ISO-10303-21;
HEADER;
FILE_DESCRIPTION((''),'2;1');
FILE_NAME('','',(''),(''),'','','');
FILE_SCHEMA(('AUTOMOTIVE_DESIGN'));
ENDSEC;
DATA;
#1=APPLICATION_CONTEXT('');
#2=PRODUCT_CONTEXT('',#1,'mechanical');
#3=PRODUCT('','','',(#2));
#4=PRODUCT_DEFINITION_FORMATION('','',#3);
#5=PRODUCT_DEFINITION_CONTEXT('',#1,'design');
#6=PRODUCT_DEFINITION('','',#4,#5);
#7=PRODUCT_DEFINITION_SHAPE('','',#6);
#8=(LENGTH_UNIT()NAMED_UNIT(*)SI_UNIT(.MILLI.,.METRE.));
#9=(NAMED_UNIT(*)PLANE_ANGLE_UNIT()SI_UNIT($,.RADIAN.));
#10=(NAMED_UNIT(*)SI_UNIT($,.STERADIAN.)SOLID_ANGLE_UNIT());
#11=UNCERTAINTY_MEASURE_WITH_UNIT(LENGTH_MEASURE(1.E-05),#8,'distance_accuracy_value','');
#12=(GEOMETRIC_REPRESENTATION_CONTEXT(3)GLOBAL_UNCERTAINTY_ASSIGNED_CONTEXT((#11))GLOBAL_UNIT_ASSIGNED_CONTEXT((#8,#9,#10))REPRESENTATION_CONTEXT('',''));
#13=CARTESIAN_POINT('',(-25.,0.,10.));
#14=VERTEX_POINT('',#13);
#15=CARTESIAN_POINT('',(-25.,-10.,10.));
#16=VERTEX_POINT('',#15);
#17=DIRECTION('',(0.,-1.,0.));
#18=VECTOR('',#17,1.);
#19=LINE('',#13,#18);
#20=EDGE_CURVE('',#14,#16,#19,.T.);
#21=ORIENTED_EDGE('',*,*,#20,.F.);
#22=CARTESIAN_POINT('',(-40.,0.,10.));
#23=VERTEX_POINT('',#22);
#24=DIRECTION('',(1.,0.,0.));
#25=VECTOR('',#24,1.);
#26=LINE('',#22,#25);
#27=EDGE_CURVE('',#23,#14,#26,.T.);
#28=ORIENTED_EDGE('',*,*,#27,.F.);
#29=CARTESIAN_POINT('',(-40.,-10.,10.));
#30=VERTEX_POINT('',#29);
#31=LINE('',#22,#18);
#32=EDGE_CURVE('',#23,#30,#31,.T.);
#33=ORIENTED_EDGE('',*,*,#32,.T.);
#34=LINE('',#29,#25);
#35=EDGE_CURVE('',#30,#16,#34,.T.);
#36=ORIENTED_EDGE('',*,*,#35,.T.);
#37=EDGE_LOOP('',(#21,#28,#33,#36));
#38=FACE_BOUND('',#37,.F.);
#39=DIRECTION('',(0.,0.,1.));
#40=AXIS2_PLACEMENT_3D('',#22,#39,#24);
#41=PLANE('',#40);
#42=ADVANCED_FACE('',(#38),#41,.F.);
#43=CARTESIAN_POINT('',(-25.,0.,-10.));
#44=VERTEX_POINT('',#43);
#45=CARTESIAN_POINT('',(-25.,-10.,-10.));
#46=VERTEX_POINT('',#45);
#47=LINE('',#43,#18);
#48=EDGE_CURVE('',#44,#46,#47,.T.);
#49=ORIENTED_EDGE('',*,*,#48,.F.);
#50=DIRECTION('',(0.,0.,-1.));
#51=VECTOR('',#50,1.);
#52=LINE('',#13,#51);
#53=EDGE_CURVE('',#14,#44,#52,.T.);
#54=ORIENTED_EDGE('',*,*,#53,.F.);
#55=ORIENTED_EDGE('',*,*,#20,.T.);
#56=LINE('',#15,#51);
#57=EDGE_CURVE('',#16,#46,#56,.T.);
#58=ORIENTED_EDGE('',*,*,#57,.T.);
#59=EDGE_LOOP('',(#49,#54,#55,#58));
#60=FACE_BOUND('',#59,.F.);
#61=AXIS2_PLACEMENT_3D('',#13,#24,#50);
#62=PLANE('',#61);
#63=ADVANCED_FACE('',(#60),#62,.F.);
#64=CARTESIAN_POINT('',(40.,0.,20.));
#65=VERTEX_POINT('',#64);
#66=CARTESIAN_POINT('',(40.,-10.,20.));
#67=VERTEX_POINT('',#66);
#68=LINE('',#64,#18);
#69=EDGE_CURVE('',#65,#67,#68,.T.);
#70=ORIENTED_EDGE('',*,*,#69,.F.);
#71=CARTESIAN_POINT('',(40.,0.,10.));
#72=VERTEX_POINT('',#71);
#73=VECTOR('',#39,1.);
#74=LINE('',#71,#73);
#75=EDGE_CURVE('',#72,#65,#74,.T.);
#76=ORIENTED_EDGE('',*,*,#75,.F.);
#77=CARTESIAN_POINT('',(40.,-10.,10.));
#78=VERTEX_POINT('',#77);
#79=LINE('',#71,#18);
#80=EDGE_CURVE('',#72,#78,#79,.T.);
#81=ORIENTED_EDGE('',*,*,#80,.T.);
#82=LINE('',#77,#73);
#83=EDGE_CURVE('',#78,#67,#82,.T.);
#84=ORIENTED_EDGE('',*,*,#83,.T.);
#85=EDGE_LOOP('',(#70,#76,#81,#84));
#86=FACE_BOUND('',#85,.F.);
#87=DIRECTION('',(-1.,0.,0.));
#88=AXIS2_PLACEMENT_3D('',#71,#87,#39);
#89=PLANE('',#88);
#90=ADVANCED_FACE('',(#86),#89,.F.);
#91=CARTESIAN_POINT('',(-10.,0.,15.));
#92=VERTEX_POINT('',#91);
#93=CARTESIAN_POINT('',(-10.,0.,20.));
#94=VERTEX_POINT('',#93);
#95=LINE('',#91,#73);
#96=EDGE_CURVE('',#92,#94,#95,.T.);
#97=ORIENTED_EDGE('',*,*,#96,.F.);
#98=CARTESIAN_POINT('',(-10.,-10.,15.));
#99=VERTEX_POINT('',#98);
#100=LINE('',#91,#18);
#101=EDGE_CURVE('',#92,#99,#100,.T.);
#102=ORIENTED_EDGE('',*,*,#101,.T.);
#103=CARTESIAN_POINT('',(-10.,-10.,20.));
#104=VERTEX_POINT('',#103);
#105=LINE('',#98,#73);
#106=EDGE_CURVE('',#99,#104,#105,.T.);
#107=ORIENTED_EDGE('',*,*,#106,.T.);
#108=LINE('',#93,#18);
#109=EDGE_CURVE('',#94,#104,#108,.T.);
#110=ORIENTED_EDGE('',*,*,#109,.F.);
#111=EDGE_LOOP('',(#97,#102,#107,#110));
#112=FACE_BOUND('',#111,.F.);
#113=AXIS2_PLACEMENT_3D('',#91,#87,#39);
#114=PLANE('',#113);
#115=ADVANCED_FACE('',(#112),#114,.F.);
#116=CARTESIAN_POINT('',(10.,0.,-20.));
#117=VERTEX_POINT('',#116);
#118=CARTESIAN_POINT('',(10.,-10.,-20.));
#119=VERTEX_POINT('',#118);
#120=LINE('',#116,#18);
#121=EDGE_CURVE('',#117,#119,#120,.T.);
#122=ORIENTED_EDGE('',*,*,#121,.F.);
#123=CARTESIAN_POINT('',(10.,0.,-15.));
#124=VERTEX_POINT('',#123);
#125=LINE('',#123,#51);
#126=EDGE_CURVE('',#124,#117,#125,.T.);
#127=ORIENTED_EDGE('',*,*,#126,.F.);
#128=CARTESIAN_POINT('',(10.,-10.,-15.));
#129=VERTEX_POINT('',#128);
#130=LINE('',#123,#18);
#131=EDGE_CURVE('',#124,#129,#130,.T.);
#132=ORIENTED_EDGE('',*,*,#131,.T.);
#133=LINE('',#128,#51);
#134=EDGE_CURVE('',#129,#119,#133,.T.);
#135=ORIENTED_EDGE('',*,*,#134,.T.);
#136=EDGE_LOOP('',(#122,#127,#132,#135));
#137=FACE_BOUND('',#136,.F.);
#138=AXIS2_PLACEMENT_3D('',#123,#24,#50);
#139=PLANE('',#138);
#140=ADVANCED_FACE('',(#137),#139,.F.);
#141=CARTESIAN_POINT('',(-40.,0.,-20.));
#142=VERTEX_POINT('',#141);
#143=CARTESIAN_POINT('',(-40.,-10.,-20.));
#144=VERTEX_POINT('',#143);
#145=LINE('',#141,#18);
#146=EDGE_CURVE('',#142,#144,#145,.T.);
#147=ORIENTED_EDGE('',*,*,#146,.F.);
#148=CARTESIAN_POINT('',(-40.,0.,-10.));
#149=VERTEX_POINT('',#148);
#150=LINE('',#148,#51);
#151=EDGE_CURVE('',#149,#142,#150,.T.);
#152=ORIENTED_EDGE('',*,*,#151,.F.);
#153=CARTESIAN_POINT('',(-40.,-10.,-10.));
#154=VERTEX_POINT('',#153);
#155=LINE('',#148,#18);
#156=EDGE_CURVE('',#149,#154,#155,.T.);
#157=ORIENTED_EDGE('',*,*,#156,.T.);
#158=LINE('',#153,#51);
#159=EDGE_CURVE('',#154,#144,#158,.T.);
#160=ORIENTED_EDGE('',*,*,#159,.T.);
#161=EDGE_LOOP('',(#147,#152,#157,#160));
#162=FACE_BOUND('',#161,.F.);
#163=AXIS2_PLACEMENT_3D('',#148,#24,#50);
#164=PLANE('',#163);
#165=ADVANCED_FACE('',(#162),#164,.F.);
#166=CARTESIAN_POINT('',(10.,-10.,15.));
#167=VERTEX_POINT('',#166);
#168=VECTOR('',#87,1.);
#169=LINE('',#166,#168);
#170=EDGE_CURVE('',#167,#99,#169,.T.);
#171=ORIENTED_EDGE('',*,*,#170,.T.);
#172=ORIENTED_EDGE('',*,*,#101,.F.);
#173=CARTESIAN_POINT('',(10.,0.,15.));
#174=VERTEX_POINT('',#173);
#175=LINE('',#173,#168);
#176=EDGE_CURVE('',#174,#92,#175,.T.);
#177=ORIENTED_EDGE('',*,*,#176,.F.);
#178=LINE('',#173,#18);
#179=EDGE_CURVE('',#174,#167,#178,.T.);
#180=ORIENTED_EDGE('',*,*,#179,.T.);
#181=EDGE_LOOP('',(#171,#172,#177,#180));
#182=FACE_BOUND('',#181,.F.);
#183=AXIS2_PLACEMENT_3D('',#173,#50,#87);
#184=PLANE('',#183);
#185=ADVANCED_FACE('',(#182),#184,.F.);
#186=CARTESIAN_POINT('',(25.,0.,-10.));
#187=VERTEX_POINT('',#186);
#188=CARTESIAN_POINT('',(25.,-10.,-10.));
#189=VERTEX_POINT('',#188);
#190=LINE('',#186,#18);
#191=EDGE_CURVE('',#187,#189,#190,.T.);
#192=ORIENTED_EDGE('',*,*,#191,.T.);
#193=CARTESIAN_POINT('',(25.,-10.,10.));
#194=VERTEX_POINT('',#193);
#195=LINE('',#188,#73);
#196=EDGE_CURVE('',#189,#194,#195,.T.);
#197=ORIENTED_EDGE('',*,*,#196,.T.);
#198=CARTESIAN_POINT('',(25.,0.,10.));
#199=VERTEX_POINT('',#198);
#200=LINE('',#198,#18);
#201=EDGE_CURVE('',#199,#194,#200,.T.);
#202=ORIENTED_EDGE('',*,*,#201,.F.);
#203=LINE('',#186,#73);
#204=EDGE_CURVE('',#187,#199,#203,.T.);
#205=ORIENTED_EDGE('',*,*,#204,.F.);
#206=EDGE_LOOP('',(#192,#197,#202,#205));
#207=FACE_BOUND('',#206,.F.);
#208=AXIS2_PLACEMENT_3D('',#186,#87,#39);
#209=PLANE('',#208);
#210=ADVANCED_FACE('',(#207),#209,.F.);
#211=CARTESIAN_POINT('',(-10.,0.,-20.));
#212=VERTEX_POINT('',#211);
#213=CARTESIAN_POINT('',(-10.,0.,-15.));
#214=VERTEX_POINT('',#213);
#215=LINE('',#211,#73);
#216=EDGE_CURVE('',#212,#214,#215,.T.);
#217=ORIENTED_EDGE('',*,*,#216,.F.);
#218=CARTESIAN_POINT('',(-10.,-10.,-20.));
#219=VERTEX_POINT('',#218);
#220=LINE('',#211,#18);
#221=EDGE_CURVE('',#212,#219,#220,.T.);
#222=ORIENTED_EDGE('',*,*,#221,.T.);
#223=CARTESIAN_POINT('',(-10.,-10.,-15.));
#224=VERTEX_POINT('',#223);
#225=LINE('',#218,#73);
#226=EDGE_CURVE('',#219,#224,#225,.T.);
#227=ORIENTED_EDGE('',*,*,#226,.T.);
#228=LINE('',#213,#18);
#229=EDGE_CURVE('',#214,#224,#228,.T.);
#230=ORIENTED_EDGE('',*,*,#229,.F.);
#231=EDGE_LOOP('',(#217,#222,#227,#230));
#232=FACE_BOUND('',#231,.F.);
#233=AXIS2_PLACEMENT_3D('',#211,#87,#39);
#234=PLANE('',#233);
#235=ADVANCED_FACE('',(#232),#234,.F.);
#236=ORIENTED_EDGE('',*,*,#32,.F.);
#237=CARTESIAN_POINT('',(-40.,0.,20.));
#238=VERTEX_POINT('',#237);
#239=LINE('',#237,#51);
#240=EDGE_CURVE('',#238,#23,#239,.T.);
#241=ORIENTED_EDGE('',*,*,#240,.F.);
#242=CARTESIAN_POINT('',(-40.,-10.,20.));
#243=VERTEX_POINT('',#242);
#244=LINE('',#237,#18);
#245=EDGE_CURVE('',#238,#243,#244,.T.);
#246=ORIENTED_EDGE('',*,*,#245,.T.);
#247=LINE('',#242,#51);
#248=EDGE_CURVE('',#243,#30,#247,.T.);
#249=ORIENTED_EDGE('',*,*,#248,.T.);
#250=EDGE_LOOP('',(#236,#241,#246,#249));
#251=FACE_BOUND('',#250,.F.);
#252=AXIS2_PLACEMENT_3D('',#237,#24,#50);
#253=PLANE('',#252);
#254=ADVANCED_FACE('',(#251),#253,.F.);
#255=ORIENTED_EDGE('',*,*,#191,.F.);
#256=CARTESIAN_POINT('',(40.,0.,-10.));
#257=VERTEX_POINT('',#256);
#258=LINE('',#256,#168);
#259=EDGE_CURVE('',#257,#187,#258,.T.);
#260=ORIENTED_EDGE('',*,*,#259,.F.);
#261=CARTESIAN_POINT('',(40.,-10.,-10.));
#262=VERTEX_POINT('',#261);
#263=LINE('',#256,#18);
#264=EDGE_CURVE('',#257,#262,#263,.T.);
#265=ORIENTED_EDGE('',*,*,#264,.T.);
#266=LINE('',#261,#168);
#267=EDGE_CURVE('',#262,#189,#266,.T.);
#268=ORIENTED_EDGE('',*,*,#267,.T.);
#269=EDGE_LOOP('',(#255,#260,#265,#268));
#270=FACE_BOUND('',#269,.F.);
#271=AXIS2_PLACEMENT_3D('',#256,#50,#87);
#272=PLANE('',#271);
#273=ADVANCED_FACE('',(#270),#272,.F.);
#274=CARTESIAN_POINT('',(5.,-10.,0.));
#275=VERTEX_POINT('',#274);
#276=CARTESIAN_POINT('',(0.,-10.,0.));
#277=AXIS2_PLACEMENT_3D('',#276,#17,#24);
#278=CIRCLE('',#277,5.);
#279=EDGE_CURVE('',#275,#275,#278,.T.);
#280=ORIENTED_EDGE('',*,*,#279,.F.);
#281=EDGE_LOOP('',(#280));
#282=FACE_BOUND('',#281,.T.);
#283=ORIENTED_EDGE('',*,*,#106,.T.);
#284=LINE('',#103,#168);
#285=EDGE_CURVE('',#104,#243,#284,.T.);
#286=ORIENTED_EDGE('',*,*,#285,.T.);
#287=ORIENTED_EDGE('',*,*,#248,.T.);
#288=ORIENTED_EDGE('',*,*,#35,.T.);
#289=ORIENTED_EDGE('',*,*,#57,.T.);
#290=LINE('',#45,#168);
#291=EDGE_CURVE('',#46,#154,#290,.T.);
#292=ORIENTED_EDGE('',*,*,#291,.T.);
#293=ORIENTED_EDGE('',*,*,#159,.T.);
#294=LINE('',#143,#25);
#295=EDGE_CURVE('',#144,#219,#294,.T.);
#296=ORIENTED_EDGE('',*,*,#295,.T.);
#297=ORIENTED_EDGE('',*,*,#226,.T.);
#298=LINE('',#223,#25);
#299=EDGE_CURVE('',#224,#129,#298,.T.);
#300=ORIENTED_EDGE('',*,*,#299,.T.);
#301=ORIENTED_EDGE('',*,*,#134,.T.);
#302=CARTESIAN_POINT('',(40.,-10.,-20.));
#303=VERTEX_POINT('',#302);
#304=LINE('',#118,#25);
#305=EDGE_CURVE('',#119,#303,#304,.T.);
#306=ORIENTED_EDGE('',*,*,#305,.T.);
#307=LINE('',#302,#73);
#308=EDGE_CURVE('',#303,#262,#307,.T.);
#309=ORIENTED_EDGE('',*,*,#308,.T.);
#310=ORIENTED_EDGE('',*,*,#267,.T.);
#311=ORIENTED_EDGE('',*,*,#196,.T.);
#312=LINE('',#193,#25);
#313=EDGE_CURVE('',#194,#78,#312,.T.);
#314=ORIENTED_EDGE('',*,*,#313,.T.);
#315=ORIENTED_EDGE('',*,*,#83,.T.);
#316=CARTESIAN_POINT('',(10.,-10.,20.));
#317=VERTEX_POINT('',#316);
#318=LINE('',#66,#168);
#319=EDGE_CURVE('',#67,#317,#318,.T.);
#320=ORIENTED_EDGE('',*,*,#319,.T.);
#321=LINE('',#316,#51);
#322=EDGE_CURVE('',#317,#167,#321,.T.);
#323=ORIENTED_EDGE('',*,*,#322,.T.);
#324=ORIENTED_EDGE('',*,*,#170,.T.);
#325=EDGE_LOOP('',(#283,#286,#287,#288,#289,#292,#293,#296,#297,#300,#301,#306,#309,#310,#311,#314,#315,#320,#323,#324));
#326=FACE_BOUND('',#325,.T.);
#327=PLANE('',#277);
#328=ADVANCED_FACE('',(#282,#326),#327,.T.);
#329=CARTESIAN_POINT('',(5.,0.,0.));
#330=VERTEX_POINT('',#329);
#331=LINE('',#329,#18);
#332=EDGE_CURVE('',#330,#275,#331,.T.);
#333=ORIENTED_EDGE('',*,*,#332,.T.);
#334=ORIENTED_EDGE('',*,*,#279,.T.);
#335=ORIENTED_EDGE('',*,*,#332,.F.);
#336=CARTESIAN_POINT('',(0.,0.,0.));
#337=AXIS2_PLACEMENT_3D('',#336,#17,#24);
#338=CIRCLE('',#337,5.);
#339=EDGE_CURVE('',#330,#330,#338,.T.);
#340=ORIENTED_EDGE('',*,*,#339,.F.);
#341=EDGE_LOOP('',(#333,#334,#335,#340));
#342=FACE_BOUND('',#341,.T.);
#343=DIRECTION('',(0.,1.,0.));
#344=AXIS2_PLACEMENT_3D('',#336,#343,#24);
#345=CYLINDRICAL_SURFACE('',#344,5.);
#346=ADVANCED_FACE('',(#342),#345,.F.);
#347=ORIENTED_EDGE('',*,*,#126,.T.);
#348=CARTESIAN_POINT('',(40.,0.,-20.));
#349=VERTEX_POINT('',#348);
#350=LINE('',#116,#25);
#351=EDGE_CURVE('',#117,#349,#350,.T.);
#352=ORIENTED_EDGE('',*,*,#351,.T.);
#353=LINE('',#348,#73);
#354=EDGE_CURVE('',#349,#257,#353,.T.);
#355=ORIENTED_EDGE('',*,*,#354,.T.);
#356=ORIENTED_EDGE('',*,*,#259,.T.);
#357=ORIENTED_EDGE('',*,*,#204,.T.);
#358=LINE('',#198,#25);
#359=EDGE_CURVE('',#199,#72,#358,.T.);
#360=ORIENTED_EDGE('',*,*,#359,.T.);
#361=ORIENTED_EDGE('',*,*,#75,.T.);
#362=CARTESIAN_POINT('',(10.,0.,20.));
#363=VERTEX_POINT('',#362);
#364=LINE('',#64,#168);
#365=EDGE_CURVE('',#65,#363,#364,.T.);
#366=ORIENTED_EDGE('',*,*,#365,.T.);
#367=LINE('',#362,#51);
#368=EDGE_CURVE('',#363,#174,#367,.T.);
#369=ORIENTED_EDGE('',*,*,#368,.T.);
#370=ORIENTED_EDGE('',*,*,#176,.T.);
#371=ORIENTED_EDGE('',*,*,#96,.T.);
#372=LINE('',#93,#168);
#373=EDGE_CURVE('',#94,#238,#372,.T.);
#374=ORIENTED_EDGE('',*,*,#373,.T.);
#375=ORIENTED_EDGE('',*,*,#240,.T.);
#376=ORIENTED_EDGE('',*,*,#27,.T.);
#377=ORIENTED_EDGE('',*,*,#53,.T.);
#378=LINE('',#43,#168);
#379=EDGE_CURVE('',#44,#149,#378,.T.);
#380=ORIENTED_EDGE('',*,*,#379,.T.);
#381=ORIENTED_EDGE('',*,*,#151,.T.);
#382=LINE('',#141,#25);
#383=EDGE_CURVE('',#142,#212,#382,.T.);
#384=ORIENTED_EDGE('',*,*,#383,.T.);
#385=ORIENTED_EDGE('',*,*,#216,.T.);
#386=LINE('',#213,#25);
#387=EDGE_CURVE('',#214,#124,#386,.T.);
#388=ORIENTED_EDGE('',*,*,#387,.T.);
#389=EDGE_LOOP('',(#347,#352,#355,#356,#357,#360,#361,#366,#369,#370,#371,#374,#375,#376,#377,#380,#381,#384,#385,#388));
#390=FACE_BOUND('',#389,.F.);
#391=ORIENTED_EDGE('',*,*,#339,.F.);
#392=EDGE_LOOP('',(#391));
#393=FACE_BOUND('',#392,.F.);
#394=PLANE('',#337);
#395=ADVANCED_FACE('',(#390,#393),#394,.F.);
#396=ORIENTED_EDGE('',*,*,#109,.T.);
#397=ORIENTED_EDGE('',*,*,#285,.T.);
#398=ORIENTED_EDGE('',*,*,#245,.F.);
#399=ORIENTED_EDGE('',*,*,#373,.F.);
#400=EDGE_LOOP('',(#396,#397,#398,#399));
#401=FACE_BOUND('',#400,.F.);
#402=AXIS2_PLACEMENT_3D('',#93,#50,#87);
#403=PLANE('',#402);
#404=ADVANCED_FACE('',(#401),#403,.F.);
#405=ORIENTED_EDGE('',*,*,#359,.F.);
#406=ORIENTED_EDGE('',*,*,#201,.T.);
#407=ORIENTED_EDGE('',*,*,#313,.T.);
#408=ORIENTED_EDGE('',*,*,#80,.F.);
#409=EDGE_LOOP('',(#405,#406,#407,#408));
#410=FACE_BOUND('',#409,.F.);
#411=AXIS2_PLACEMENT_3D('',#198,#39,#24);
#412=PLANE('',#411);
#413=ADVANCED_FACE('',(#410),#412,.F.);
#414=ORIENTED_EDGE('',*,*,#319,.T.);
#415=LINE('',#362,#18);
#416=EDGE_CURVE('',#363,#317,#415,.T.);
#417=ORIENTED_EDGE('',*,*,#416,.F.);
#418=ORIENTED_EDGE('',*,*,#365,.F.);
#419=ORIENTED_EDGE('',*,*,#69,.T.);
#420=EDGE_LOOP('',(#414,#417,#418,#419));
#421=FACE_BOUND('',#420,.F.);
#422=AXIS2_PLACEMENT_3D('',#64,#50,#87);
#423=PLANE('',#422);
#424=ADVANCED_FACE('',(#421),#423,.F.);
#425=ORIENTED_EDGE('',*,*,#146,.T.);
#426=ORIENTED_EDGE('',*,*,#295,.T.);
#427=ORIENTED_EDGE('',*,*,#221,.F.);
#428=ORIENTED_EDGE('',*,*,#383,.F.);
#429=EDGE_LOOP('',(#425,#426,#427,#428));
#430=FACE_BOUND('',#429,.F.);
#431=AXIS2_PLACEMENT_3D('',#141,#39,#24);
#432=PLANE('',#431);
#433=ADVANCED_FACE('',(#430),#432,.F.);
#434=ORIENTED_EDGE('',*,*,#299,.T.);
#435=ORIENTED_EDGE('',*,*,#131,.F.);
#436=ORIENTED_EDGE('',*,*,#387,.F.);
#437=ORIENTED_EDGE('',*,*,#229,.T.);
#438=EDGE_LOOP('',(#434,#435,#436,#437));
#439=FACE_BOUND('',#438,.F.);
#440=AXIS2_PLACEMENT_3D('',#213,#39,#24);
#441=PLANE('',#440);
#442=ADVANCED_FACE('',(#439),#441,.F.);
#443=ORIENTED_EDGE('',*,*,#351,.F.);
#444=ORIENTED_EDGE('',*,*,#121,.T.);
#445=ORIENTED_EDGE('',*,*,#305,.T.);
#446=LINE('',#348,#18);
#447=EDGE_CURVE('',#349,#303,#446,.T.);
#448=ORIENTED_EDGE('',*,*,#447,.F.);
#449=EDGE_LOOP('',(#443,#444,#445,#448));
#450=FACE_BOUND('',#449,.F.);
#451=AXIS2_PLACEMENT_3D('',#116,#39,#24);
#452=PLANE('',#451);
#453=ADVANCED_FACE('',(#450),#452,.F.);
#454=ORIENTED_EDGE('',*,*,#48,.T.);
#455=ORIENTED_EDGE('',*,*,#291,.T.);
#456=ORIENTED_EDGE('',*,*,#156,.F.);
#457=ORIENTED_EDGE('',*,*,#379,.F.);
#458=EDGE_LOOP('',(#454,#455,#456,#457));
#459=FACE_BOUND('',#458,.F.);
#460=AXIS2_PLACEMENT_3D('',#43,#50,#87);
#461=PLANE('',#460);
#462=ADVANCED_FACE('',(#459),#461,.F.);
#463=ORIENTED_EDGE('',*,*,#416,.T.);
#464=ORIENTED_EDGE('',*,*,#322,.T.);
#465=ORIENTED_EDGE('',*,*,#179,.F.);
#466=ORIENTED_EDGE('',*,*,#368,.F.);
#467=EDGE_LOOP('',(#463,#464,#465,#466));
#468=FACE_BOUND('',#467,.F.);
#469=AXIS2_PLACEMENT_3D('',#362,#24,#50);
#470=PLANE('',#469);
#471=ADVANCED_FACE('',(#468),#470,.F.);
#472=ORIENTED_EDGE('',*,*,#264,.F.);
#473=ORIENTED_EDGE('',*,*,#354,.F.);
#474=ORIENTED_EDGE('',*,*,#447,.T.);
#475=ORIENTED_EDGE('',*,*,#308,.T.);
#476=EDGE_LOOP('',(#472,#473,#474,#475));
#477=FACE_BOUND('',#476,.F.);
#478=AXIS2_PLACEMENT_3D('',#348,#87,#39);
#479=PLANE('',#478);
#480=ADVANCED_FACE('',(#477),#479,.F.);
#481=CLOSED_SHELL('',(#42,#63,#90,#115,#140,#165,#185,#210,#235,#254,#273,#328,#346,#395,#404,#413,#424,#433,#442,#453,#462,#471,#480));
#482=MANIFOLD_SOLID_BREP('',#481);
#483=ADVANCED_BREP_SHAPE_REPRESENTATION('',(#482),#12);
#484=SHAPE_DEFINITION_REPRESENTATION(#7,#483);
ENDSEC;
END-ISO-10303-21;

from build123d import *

# Parameters (mm, degrees)
F0_R     = 5
F1_DEPTH = 10


with BuildPart() as f1:
    # F0 (on Front) → F1 (new body)
    with BuildSketch(Plane.XZ):
        Polygon((-10, 20), (-40, 20), (-40, 10), (-25, 10), (-25, -10), (-40, -10), (-40, -20), (-10, -20), (-10, -15), (10, -15), (10, -20), (40, -20), (40, -10), (25, -10), (25, 10), (40, 10), (40, 20), (10, 20), (10, 15), (-10, 15), align=None)
        Circle(F0_R, mode=Mode.SUBTRACT)
    extrude(amount=F1_DEPTH)


solid = f1.part
